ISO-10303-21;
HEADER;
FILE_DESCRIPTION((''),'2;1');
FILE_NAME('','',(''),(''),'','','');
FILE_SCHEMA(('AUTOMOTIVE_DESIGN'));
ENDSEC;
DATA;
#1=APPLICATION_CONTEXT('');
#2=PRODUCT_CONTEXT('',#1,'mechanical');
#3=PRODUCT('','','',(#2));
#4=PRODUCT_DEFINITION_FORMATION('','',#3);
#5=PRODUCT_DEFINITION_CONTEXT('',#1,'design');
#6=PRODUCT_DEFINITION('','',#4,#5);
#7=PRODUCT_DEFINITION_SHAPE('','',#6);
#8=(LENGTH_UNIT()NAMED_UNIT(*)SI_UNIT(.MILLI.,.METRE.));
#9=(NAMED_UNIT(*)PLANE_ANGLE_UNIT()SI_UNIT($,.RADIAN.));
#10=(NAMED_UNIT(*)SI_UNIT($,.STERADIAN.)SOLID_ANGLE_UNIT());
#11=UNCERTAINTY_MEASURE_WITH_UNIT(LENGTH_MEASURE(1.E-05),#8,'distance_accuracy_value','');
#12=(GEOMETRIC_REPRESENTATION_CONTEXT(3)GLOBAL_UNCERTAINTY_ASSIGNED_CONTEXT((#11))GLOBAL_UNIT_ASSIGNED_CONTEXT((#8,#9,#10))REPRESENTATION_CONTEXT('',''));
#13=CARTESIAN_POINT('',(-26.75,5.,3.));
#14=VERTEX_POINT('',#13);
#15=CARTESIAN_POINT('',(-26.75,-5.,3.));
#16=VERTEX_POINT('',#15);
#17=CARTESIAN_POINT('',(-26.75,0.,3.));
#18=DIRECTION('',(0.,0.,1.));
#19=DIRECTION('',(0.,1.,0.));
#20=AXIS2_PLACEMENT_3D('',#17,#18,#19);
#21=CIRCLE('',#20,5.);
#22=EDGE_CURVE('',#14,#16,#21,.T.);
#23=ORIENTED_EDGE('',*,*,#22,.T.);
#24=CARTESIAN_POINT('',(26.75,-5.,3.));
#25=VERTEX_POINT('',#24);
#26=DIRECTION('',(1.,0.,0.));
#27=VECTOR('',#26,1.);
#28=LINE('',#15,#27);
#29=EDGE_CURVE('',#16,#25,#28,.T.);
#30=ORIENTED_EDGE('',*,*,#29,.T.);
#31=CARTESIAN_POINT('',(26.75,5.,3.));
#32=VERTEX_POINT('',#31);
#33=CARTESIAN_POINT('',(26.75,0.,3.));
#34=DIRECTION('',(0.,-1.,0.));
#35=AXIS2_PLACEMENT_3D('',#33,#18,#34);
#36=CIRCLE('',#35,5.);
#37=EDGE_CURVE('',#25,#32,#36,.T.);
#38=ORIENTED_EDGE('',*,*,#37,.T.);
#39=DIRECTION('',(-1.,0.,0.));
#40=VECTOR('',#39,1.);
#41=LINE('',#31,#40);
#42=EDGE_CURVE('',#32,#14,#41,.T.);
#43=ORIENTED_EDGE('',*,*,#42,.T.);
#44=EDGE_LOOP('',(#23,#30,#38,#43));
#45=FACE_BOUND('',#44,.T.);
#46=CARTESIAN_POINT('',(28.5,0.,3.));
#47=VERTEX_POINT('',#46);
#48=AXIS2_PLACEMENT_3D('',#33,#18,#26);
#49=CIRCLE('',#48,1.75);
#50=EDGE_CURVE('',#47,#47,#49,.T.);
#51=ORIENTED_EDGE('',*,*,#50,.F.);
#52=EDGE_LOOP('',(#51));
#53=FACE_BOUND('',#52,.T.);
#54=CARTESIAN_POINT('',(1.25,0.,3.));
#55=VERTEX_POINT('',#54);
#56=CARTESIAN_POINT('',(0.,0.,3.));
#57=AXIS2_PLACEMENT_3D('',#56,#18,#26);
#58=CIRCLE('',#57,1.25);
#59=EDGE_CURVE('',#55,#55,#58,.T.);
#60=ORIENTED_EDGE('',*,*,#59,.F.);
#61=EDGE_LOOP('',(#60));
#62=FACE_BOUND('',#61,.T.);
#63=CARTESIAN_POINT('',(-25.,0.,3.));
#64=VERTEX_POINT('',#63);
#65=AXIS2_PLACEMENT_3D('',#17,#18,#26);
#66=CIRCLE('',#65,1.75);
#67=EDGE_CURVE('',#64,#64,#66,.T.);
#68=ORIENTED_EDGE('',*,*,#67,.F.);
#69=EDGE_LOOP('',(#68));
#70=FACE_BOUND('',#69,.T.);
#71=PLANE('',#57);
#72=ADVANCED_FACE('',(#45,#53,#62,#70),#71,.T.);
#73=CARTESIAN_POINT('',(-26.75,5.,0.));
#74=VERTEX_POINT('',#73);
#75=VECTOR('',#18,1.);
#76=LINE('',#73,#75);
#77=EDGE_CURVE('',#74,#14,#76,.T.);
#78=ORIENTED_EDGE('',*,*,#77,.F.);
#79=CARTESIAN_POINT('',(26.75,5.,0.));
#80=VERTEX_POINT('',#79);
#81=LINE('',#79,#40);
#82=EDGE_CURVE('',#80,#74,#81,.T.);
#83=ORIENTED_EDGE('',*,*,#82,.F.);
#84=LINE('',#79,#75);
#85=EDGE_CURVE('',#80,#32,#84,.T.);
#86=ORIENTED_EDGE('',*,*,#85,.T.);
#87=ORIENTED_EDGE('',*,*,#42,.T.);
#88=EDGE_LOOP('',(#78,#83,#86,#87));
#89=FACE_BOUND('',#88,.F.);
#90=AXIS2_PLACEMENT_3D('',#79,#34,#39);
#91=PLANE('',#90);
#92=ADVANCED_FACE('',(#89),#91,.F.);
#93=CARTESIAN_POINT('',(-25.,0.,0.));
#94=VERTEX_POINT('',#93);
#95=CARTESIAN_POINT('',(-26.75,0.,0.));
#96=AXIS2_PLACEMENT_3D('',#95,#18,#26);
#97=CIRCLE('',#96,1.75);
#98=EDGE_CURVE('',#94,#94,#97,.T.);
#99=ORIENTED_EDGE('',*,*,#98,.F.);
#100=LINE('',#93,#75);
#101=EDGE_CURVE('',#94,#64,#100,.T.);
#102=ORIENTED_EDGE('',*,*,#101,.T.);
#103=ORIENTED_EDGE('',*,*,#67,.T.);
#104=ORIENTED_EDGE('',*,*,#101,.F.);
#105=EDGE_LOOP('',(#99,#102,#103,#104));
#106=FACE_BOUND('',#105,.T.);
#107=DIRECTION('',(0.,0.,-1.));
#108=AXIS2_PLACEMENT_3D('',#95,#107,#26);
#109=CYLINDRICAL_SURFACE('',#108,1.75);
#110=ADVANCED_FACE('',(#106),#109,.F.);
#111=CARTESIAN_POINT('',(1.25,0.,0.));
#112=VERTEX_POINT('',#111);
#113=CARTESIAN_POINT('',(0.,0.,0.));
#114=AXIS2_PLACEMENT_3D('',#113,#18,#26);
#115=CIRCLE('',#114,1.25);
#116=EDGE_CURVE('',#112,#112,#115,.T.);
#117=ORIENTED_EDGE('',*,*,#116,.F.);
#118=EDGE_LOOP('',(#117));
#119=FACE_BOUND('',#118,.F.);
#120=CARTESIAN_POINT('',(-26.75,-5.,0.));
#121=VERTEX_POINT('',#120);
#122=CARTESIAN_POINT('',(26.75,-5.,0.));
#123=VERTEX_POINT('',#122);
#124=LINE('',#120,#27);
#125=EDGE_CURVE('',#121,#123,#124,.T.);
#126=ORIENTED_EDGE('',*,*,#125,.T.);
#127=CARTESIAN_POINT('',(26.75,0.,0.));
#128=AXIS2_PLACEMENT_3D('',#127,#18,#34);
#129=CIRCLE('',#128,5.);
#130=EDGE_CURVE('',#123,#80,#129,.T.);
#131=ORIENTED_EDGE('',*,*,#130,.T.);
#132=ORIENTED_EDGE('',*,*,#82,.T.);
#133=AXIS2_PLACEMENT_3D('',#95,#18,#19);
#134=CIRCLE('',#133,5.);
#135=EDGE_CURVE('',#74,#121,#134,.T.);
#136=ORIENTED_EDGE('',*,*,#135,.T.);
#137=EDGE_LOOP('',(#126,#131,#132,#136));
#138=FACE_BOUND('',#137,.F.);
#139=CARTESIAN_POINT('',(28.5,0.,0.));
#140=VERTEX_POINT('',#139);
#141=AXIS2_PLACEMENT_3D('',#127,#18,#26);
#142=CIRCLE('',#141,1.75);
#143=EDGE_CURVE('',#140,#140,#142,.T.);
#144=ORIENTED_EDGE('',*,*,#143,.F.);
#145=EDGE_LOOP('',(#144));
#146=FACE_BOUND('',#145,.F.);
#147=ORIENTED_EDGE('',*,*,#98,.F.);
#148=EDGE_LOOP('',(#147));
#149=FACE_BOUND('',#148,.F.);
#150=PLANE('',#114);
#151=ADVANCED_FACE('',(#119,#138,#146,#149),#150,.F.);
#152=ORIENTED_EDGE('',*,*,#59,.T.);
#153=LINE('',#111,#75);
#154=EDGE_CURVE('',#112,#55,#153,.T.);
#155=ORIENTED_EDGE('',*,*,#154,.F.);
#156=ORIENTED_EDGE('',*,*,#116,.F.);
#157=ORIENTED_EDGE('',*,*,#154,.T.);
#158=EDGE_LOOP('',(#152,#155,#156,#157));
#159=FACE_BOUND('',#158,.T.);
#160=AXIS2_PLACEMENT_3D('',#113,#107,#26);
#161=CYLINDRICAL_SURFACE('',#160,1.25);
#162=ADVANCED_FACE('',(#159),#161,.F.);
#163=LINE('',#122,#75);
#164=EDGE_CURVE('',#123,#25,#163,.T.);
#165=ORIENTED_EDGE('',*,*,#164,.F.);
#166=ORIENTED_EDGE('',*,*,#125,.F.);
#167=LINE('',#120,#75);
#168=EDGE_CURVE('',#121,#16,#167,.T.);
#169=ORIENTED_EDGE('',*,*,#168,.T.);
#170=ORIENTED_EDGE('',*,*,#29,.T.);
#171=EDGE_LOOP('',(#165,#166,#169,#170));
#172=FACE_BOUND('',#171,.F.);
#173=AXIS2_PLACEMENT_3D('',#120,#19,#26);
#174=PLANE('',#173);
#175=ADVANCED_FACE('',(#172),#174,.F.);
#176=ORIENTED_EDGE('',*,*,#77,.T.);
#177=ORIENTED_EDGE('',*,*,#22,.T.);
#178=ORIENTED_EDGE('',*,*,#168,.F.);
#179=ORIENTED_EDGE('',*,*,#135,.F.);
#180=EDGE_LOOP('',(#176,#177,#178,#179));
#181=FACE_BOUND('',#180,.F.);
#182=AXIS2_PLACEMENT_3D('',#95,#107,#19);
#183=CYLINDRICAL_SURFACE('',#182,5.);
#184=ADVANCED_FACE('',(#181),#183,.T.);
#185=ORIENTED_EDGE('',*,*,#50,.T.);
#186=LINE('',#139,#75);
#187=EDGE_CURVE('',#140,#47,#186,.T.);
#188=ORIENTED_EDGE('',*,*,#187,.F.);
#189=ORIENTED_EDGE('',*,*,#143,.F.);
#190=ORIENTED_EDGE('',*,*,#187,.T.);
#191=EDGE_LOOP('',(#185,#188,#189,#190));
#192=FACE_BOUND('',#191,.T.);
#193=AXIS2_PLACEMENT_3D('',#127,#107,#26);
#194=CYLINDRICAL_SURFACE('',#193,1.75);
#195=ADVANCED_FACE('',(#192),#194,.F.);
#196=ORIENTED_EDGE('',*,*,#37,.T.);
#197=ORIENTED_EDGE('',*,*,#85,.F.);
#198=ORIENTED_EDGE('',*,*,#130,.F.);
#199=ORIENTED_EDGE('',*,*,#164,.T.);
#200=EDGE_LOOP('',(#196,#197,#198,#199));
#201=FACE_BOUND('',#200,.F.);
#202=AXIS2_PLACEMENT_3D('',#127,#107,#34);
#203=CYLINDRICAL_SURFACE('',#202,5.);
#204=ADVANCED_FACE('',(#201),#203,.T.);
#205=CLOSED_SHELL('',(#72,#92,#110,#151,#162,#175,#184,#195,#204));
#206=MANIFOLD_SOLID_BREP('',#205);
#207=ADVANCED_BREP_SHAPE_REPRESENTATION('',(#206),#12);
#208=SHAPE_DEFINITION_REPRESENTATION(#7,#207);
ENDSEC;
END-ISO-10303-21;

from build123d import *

# Parameters (mm, degrees)
F0_R     = 1.75
F0_R_2   = 1.25
F1_DEPTH = 3


with BuildPart() as f1:
    # F0 (on Top) → F1 (new body)
    with BuildSketch(Plane.XY):
        with BuildLine():
            Line((26.75, 5), (-26.75, 5))
            ThreePointArc((-26.75, 5), (-31.75, 0), (-26.75, -5))
            Line((-26.75, -5), (26.75, -5))
            ThreePointArc((26.75, -5), (31.75, 0), (26.75, 5))
        make_face()
        with Locations((-26.75, 0)):
            Circle(F0_R, mode=Mode.SUBTRACT)
        Circle(F0_R_2, mode=Mode.SUBTRACT)
        with Locations((26.75, 0)):
            Circle(F0_R, mode=Mode.SUBTRACT)
    extrude(amount=F1_DEPTH)


solid = f1.part
